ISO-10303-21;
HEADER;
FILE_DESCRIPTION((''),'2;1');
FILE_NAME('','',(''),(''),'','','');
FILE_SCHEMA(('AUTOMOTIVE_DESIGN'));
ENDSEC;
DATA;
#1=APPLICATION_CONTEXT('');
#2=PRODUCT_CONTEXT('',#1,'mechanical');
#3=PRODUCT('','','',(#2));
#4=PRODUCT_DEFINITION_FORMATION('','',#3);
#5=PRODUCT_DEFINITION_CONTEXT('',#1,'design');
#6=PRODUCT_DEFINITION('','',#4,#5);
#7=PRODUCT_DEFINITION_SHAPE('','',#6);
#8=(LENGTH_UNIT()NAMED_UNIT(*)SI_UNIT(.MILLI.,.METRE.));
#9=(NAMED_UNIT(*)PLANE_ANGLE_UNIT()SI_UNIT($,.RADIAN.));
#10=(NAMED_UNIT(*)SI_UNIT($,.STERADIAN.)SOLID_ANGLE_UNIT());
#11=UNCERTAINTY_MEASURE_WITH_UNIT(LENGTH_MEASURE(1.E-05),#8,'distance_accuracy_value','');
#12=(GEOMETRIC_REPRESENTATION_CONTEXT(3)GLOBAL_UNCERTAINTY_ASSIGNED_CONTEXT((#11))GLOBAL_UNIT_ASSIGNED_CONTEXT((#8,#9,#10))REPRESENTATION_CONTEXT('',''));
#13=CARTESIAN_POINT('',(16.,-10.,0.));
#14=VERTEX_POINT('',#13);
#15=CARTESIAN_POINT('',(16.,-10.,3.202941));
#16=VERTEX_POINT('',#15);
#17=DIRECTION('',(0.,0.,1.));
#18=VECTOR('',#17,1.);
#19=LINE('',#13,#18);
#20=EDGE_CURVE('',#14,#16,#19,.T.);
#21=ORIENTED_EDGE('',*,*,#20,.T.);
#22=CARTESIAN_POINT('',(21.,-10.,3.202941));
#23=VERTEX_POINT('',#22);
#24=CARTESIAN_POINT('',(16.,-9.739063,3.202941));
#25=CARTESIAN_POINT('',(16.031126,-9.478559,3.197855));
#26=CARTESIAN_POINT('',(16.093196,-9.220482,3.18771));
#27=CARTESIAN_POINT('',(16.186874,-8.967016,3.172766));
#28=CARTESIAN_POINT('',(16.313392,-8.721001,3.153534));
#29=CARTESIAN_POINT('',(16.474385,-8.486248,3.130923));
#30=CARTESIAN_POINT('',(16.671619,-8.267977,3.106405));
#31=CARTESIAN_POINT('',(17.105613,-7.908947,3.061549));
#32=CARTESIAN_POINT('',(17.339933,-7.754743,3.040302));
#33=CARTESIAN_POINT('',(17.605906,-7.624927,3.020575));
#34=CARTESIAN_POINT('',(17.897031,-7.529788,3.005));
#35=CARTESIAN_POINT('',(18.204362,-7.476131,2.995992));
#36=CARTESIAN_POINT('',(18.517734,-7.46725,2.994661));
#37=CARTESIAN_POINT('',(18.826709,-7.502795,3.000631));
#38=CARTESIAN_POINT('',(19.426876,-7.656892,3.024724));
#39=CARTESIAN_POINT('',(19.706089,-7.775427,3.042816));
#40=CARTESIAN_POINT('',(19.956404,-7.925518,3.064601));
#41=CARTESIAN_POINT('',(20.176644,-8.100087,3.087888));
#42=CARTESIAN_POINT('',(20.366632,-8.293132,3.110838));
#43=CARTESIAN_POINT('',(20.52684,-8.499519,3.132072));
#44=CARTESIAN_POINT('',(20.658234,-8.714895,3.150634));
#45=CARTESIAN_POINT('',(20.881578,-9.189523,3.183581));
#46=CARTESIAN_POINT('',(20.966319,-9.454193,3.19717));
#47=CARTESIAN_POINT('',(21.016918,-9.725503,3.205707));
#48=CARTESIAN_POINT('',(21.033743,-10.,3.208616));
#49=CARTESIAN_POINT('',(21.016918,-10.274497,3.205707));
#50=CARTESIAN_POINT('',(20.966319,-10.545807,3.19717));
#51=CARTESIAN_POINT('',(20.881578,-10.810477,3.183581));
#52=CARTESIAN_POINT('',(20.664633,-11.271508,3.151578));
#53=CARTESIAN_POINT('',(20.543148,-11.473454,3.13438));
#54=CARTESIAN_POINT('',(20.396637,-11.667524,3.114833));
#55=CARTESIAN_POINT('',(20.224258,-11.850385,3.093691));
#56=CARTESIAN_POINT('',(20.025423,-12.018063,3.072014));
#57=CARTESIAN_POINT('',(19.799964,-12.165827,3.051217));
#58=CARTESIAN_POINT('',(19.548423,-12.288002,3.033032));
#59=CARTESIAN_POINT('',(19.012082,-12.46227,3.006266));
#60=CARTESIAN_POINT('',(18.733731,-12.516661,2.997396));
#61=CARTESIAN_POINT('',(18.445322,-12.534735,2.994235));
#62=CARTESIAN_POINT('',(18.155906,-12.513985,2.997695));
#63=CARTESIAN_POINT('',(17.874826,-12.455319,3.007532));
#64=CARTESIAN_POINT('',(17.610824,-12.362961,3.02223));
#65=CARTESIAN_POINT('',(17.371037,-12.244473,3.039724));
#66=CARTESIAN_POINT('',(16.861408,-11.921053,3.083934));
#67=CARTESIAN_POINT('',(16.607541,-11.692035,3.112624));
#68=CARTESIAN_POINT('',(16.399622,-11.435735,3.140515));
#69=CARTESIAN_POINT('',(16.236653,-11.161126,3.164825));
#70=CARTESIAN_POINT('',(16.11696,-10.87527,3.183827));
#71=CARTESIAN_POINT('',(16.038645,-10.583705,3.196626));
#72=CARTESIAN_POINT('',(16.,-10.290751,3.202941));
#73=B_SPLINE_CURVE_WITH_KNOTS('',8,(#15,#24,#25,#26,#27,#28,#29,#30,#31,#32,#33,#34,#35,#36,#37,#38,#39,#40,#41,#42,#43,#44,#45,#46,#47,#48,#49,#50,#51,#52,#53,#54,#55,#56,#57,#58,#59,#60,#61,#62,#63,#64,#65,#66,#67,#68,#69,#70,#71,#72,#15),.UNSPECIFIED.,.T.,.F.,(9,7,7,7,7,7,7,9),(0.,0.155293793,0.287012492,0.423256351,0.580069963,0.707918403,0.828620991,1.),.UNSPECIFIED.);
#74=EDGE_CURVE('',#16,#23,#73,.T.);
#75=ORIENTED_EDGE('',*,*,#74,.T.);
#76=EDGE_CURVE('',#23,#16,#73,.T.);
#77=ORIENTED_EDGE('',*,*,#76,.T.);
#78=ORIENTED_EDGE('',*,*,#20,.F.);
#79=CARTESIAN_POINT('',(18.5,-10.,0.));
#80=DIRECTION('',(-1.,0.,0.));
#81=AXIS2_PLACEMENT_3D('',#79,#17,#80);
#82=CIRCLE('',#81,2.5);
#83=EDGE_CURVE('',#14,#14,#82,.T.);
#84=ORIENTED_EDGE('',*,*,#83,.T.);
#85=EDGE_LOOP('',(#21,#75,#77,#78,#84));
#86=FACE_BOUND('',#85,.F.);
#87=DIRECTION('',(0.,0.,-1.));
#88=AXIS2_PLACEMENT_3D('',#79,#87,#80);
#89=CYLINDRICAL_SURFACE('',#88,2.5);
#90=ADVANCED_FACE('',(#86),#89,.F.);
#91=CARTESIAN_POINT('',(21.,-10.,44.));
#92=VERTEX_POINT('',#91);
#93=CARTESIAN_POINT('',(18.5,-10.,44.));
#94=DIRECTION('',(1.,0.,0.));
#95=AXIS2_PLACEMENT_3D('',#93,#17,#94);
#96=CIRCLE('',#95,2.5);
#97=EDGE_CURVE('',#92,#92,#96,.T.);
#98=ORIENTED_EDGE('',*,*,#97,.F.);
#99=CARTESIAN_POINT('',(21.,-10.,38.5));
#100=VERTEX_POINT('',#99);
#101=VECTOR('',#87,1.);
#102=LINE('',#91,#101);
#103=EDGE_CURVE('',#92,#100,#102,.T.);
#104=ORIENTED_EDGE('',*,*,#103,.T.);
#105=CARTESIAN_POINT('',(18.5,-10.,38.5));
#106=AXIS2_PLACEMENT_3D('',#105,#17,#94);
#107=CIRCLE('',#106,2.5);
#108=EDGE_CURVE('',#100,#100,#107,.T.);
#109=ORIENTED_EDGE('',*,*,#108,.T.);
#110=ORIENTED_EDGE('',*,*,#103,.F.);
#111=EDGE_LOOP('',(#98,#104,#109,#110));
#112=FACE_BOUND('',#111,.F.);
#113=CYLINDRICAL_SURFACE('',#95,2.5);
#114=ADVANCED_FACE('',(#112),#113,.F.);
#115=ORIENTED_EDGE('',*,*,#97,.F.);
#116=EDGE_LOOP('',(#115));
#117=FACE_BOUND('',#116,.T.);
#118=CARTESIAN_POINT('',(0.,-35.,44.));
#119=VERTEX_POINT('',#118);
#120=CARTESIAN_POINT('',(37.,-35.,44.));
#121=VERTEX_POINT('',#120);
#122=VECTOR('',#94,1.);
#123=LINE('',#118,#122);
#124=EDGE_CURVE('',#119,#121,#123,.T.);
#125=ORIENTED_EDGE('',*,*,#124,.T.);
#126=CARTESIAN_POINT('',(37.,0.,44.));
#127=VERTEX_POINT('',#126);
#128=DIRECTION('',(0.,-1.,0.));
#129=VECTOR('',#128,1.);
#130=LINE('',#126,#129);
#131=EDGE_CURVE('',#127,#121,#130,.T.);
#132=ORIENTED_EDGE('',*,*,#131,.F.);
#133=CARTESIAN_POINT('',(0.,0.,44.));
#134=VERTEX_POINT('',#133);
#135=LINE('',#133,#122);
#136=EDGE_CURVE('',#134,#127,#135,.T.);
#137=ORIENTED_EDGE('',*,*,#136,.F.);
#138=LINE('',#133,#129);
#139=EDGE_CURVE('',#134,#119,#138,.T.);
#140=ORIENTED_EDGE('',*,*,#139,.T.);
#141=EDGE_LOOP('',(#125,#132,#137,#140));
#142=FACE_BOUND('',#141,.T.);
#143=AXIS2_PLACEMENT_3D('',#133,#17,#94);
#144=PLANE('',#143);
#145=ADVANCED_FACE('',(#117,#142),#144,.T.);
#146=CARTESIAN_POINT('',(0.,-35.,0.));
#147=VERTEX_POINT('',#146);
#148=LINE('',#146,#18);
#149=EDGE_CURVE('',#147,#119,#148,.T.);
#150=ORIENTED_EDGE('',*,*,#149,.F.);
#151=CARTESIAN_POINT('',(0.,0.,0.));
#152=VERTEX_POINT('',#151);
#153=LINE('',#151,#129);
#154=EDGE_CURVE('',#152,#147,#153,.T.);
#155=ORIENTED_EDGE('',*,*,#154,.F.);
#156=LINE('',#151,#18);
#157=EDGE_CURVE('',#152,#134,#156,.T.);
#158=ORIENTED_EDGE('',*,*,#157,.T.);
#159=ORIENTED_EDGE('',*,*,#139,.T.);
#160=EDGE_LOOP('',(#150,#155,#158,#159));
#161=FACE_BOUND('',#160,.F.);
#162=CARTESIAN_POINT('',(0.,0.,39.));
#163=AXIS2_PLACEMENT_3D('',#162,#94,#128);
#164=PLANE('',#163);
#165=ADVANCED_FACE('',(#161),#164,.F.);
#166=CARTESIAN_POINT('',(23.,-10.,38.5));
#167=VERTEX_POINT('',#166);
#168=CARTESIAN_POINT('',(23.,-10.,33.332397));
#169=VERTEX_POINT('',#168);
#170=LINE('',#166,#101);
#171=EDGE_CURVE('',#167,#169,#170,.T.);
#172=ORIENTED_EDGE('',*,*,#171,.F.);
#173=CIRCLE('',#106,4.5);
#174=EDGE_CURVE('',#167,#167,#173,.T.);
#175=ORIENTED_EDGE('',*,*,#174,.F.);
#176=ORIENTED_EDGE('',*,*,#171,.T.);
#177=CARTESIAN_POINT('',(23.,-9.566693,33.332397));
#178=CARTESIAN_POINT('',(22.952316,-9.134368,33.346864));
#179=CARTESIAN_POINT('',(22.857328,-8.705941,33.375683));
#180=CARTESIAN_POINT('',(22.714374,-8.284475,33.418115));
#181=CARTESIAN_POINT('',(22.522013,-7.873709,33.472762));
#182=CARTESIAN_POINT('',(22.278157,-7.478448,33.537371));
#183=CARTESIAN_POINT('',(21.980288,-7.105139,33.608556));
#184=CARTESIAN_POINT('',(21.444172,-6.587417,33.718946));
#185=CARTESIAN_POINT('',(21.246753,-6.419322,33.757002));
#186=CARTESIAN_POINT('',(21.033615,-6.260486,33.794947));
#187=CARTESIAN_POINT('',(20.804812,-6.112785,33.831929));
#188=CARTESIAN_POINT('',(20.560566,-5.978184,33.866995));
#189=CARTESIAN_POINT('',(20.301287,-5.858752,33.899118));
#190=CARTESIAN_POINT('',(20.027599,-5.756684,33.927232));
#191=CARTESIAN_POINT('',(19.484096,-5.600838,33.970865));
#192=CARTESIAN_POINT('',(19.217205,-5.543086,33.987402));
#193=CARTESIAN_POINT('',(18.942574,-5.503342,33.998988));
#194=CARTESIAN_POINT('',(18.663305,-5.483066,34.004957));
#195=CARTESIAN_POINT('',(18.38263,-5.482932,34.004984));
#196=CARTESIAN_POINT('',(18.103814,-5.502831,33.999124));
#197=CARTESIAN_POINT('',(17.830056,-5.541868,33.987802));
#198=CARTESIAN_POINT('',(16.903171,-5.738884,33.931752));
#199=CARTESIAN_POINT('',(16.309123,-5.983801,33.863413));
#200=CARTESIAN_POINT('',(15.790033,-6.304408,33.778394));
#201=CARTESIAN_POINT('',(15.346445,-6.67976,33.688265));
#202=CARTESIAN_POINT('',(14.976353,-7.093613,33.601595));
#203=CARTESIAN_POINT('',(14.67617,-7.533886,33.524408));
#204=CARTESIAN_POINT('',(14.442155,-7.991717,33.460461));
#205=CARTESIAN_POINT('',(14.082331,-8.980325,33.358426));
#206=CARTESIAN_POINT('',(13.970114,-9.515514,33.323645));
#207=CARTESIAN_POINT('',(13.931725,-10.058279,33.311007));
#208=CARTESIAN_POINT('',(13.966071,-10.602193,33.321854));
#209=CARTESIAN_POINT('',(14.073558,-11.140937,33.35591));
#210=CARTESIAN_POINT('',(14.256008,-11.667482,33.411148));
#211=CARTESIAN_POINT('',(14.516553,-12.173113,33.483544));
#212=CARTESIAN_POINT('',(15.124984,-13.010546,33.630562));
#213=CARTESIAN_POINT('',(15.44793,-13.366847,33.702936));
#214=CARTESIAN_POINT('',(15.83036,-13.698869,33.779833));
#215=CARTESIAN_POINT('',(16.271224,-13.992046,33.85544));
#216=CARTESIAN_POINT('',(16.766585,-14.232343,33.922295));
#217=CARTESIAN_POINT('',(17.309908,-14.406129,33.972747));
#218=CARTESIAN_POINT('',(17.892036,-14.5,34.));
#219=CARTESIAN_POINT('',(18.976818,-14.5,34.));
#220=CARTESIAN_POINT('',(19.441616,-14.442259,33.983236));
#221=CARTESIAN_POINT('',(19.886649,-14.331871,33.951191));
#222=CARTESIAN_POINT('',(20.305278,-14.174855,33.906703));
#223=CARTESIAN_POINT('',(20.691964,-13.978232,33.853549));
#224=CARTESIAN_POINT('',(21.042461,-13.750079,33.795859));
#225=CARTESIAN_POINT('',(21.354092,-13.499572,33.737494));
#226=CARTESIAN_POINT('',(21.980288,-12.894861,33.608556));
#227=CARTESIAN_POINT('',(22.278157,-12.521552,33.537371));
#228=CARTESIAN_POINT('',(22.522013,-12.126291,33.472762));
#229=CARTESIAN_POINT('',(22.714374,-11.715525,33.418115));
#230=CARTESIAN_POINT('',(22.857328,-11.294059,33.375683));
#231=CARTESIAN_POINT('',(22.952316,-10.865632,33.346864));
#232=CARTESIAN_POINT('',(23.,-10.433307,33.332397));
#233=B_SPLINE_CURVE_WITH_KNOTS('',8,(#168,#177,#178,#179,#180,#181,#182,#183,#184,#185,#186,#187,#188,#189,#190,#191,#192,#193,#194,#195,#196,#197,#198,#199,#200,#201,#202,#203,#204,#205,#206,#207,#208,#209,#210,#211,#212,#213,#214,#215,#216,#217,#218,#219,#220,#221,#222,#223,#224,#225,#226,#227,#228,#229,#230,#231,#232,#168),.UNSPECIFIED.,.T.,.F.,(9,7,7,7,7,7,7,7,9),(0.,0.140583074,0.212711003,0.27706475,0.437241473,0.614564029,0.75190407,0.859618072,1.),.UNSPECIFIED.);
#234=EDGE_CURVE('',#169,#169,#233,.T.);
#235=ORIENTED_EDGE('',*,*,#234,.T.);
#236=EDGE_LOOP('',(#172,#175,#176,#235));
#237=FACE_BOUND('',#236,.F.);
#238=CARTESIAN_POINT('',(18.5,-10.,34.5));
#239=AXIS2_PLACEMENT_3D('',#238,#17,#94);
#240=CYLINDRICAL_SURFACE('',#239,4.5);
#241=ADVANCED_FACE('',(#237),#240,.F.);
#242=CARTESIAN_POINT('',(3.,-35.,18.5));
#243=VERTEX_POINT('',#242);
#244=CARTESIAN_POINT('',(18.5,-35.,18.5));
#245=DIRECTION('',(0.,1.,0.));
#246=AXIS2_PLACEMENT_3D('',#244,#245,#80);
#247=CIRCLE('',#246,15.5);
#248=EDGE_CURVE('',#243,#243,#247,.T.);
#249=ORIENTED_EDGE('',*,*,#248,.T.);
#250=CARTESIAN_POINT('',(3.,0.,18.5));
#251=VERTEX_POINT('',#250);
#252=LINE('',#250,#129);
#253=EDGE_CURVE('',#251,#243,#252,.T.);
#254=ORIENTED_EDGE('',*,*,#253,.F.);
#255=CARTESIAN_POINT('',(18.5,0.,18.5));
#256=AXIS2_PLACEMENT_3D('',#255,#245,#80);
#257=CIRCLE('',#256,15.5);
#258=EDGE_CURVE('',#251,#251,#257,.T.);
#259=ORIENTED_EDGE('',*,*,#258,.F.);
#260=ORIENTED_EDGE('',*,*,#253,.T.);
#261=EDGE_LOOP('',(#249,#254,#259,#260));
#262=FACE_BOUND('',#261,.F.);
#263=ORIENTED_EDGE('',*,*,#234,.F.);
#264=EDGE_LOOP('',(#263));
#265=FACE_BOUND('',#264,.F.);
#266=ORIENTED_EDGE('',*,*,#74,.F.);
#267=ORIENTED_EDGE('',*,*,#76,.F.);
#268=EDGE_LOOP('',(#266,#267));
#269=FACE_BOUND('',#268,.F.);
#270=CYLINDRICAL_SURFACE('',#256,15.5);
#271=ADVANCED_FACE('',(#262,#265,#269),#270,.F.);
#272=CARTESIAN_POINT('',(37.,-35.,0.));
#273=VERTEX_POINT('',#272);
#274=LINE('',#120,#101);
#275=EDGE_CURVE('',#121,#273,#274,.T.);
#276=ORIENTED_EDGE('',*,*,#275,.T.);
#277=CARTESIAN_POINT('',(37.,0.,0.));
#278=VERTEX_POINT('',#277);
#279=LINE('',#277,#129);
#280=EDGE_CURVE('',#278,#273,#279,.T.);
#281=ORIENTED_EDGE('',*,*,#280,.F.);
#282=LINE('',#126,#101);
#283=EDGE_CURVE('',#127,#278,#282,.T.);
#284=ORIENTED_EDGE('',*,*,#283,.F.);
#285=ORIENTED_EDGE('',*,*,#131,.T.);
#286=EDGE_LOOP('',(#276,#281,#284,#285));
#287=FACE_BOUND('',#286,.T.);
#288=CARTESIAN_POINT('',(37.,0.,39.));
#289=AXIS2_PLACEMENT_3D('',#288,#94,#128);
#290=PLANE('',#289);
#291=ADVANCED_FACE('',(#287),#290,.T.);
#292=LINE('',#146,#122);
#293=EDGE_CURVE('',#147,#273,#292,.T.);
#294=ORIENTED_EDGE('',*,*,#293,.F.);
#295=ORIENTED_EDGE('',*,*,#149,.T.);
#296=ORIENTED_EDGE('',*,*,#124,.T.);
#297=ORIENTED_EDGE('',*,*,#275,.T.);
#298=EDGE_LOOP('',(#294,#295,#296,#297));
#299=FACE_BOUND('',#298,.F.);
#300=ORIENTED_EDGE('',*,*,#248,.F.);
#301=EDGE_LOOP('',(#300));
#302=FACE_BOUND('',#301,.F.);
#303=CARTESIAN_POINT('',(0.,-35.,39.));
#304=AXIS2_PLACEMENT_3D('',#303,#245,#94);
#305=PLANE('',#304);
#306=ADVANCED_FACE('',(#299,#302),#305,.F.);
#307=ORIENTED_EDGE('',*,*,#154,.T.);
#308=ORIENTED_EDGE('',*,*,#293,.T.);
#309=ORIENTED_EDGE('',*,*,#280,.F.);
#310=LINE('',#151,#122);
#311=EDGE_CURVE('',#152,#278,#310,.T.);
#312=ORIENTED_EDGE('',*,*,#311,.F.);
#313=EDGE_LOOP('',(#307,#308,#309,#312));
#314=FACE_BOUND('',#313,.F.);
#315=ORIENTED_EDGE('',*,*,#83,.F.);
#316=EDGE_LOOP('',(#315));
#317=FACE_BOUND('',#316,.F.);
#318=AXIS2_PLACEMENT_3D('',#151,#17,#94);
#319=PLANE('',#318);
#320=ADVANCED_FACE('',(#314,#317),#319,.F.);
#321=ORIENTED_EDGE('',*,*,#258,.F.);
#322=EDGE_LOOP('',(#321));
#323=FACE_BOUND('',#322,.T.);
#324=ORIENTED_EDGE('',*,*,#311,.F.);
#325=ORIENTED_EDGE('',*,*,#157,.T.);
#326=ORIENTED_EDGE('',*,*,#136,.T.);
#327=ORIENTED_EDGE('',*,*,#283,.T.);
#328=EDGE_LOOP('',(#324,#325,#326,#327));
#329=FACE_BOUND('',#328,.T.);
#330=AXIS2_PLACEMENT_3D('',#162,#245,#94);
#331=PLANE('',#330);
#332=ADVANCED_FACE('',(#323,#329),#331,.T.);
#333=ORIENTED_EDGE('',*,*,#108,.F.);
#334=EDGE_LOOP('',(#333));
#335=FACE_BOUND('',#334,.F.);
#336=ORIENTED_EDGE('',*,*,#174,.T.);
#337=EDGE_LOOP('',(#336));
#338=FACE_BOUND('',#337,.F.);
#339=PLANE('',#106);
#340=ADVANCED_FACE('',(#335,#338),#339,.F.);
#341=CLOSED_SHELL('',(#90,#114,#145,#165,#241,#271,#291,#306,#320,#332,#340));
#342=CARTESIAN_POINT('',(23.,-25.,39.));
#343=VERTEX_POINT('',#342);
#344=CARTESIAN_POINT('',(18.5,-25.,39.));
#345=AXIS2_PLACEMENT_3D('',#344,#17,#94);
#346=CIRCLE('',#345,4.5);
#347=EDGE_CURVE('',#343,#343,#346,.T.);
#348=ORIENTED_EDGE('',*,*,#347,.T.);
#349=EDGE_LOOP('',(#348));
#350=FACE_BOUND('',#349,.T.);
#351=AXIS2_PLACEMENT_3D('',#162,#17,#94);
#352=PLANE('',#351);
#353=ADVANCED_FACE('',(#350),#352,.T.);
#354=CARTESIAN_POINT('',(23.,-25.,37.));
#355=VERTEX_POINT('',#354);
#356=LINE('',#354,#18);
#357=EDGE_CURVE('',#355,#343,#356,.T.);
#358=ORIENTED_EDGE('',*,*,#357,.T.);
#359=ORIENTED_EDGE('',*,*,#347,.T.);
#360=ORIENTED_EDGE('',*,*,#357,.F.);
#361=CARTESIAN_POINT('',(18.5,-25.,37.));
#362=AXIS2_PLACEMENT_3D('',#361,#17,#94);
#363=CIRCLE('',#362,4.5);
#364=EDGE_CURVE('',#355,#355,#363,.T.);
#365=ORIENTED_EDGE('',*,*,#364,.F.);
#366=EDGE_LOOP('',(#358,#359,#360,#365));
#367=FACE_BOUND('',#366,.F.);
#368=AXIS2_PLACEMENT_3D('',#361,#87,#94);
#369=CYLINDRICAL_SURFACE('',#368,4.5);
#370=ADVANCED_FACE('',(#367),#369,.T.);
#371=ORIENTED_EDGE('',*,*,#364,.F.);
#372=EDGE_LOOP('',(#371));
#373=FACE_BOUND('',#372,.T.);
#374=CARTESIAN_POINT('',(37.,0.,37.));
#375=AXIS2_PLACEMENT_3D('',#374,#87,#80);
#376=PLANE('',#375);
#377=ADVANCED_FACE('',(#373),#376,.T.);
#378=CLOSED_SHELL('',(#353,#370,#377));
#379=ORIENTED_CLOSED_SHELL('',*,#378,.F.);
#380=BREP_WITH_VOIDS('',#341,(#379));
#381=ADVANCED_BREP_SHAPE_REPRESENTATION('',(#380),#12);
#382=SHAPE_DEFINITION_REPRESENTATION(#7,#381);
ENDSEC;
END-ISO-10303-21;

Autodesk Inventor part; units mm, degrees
ref_plane "YZ Plane" through (0, 0, 0) normal (1, 0, 0) x (0, 1, 0)
ref_plane "XZ Plane" through (0, 0, 0) normal (0, 1, 0) x (-1, 0, 0)
ref_plane "XY Plane" through (0, 0, 0) normal (0, 0, 1) x (1, 0, 0)
sketch "Sketch1" plane through (0, 0, 0) normal (0, 1, 0) x (-1, 0, 0)
  line L0 (0, 0) -> (-37, 0)
  line L1 (-37, 0) -> (-37, 37)
  line L2 (-37, 37) -> (0, 37)
  line L3 (0, 37) -> (0, 0)
  circle A0 centre (-18.5, 18.5) radius 15.5
  point P0 (-18.5, 0)
  dimension "d0" = 37
  dimension "d1" = 37
  dimension "d2" = 18.5
  dimension "d3" = 18.5
  dimension "d4" = 31
extrude "Extrusion1" add sketch "Sketch1" against normal blind 35
sketch "Sketch3" plane through (0, 0, 37) normal (0, 0, 1) x (1, 0, 0)
  circle A0 centre (18.5, -10) radius 4.5
  line L0 (37, 0) -> (37, -35) projected
  point P0 (0, 0)
  dimension "d8" = 9
  dimension "d18" = 18.5
extrude "Extrusion2" cut sketch "Sketch3" along normal mid plane 5
sketch "Sketch4" plane through (37, 0, 0) normal (0, 0, -1) x (-1, 0, 0)
  circle A0 centre (18.5, -10) radius 4.5 projected
  circle A1 centre (18.5, -10) radius 2.5
  point P0 (37, 0)
  dimension "d11" = 5
extrude "Extrusion3" cut sketch "Sketch4" against normal blind 5 contours A1
sketch "Sketch5" plane through (0, 0, 37) normal (0, 0, 1) x (1, 0, 0)
  line L0 (37, 0) -> (0, 0) projected
  line L1 (0, -35) -> (37, -35) projected
  line L2 (0, 0) -> (37, 0)
  line L3 (37, 0) -> (37, -35)
  line L4 (37, -35) -> (0, -35)
  line L5 (0, -35) -> (0, 0)
  line L6 (0, 0) -> (0, -35) projected
  line L7 (0, 0) -> (37, 0)
  line L8 (37, 0) -> (37, -35)
  line L9 (37, -35) -> (0, -35)
  line L10 (0, -35) -> (0, 0)
  circle A0 centre (18.5, -25) radius 4.5
  dimension "d19" = 18.5
  dimension "d22" = 10
extrude "Extrusion4" add sketch "Sketch5" along normal blind 2
sketch "Sketch6" plane through (0, 0, 39) normal (0, 0, 1) x (1, 0, 0)
  line L0 (0, 0) -> (0, -35) projected
  line L1 (0, -35) -> (37, -35) projected
  line L2 (0, 0) -> (37, 0)
  line L3 (37, 0) -> (37, -35)
  line L4 (37, -35) -> (0, -35)
  line L5 (0, -35) -> (0, 0)
extrude "Extrusion5" add sketch "Sketch6" along normal blind 5
sketch "Sketch7" plane through (0, 0, 44) normal (0, 0, 1) x (1, 0, 0)
  circle A0 centre (18.5, -10) radius 2.5
  line L0 (37, 0) -> (0, 0) projected
  line L1 (37, -35) -> (37, 0) projected
  point P0 (18.5, 0)
  dimension "d24" = 5
  dimension "d25" = 10
  dimension "d26" = 18.5
extrude "Extrusion6" cut sketch "Sketch7" against normal through all
sketch "Sketch8" plane through (18.5, -10, 34.5) normal (0, 0, 1) x (1, 0, 0)
  circle A0 centre (0, 0) radius 2.5 projected
  circle A1 centre (0, 0) radius 4.5
  point P0 (-18.5, 10)
extrude "Extrusion7" cut sketch "Sketch8" along normal mid plane 8
equation "\"d0\" = d1"
equation "\"d2\" = 0.5 * d1"
equation "\"d3\" = 0.5 * d0"
properties part number "pump mount v04"
